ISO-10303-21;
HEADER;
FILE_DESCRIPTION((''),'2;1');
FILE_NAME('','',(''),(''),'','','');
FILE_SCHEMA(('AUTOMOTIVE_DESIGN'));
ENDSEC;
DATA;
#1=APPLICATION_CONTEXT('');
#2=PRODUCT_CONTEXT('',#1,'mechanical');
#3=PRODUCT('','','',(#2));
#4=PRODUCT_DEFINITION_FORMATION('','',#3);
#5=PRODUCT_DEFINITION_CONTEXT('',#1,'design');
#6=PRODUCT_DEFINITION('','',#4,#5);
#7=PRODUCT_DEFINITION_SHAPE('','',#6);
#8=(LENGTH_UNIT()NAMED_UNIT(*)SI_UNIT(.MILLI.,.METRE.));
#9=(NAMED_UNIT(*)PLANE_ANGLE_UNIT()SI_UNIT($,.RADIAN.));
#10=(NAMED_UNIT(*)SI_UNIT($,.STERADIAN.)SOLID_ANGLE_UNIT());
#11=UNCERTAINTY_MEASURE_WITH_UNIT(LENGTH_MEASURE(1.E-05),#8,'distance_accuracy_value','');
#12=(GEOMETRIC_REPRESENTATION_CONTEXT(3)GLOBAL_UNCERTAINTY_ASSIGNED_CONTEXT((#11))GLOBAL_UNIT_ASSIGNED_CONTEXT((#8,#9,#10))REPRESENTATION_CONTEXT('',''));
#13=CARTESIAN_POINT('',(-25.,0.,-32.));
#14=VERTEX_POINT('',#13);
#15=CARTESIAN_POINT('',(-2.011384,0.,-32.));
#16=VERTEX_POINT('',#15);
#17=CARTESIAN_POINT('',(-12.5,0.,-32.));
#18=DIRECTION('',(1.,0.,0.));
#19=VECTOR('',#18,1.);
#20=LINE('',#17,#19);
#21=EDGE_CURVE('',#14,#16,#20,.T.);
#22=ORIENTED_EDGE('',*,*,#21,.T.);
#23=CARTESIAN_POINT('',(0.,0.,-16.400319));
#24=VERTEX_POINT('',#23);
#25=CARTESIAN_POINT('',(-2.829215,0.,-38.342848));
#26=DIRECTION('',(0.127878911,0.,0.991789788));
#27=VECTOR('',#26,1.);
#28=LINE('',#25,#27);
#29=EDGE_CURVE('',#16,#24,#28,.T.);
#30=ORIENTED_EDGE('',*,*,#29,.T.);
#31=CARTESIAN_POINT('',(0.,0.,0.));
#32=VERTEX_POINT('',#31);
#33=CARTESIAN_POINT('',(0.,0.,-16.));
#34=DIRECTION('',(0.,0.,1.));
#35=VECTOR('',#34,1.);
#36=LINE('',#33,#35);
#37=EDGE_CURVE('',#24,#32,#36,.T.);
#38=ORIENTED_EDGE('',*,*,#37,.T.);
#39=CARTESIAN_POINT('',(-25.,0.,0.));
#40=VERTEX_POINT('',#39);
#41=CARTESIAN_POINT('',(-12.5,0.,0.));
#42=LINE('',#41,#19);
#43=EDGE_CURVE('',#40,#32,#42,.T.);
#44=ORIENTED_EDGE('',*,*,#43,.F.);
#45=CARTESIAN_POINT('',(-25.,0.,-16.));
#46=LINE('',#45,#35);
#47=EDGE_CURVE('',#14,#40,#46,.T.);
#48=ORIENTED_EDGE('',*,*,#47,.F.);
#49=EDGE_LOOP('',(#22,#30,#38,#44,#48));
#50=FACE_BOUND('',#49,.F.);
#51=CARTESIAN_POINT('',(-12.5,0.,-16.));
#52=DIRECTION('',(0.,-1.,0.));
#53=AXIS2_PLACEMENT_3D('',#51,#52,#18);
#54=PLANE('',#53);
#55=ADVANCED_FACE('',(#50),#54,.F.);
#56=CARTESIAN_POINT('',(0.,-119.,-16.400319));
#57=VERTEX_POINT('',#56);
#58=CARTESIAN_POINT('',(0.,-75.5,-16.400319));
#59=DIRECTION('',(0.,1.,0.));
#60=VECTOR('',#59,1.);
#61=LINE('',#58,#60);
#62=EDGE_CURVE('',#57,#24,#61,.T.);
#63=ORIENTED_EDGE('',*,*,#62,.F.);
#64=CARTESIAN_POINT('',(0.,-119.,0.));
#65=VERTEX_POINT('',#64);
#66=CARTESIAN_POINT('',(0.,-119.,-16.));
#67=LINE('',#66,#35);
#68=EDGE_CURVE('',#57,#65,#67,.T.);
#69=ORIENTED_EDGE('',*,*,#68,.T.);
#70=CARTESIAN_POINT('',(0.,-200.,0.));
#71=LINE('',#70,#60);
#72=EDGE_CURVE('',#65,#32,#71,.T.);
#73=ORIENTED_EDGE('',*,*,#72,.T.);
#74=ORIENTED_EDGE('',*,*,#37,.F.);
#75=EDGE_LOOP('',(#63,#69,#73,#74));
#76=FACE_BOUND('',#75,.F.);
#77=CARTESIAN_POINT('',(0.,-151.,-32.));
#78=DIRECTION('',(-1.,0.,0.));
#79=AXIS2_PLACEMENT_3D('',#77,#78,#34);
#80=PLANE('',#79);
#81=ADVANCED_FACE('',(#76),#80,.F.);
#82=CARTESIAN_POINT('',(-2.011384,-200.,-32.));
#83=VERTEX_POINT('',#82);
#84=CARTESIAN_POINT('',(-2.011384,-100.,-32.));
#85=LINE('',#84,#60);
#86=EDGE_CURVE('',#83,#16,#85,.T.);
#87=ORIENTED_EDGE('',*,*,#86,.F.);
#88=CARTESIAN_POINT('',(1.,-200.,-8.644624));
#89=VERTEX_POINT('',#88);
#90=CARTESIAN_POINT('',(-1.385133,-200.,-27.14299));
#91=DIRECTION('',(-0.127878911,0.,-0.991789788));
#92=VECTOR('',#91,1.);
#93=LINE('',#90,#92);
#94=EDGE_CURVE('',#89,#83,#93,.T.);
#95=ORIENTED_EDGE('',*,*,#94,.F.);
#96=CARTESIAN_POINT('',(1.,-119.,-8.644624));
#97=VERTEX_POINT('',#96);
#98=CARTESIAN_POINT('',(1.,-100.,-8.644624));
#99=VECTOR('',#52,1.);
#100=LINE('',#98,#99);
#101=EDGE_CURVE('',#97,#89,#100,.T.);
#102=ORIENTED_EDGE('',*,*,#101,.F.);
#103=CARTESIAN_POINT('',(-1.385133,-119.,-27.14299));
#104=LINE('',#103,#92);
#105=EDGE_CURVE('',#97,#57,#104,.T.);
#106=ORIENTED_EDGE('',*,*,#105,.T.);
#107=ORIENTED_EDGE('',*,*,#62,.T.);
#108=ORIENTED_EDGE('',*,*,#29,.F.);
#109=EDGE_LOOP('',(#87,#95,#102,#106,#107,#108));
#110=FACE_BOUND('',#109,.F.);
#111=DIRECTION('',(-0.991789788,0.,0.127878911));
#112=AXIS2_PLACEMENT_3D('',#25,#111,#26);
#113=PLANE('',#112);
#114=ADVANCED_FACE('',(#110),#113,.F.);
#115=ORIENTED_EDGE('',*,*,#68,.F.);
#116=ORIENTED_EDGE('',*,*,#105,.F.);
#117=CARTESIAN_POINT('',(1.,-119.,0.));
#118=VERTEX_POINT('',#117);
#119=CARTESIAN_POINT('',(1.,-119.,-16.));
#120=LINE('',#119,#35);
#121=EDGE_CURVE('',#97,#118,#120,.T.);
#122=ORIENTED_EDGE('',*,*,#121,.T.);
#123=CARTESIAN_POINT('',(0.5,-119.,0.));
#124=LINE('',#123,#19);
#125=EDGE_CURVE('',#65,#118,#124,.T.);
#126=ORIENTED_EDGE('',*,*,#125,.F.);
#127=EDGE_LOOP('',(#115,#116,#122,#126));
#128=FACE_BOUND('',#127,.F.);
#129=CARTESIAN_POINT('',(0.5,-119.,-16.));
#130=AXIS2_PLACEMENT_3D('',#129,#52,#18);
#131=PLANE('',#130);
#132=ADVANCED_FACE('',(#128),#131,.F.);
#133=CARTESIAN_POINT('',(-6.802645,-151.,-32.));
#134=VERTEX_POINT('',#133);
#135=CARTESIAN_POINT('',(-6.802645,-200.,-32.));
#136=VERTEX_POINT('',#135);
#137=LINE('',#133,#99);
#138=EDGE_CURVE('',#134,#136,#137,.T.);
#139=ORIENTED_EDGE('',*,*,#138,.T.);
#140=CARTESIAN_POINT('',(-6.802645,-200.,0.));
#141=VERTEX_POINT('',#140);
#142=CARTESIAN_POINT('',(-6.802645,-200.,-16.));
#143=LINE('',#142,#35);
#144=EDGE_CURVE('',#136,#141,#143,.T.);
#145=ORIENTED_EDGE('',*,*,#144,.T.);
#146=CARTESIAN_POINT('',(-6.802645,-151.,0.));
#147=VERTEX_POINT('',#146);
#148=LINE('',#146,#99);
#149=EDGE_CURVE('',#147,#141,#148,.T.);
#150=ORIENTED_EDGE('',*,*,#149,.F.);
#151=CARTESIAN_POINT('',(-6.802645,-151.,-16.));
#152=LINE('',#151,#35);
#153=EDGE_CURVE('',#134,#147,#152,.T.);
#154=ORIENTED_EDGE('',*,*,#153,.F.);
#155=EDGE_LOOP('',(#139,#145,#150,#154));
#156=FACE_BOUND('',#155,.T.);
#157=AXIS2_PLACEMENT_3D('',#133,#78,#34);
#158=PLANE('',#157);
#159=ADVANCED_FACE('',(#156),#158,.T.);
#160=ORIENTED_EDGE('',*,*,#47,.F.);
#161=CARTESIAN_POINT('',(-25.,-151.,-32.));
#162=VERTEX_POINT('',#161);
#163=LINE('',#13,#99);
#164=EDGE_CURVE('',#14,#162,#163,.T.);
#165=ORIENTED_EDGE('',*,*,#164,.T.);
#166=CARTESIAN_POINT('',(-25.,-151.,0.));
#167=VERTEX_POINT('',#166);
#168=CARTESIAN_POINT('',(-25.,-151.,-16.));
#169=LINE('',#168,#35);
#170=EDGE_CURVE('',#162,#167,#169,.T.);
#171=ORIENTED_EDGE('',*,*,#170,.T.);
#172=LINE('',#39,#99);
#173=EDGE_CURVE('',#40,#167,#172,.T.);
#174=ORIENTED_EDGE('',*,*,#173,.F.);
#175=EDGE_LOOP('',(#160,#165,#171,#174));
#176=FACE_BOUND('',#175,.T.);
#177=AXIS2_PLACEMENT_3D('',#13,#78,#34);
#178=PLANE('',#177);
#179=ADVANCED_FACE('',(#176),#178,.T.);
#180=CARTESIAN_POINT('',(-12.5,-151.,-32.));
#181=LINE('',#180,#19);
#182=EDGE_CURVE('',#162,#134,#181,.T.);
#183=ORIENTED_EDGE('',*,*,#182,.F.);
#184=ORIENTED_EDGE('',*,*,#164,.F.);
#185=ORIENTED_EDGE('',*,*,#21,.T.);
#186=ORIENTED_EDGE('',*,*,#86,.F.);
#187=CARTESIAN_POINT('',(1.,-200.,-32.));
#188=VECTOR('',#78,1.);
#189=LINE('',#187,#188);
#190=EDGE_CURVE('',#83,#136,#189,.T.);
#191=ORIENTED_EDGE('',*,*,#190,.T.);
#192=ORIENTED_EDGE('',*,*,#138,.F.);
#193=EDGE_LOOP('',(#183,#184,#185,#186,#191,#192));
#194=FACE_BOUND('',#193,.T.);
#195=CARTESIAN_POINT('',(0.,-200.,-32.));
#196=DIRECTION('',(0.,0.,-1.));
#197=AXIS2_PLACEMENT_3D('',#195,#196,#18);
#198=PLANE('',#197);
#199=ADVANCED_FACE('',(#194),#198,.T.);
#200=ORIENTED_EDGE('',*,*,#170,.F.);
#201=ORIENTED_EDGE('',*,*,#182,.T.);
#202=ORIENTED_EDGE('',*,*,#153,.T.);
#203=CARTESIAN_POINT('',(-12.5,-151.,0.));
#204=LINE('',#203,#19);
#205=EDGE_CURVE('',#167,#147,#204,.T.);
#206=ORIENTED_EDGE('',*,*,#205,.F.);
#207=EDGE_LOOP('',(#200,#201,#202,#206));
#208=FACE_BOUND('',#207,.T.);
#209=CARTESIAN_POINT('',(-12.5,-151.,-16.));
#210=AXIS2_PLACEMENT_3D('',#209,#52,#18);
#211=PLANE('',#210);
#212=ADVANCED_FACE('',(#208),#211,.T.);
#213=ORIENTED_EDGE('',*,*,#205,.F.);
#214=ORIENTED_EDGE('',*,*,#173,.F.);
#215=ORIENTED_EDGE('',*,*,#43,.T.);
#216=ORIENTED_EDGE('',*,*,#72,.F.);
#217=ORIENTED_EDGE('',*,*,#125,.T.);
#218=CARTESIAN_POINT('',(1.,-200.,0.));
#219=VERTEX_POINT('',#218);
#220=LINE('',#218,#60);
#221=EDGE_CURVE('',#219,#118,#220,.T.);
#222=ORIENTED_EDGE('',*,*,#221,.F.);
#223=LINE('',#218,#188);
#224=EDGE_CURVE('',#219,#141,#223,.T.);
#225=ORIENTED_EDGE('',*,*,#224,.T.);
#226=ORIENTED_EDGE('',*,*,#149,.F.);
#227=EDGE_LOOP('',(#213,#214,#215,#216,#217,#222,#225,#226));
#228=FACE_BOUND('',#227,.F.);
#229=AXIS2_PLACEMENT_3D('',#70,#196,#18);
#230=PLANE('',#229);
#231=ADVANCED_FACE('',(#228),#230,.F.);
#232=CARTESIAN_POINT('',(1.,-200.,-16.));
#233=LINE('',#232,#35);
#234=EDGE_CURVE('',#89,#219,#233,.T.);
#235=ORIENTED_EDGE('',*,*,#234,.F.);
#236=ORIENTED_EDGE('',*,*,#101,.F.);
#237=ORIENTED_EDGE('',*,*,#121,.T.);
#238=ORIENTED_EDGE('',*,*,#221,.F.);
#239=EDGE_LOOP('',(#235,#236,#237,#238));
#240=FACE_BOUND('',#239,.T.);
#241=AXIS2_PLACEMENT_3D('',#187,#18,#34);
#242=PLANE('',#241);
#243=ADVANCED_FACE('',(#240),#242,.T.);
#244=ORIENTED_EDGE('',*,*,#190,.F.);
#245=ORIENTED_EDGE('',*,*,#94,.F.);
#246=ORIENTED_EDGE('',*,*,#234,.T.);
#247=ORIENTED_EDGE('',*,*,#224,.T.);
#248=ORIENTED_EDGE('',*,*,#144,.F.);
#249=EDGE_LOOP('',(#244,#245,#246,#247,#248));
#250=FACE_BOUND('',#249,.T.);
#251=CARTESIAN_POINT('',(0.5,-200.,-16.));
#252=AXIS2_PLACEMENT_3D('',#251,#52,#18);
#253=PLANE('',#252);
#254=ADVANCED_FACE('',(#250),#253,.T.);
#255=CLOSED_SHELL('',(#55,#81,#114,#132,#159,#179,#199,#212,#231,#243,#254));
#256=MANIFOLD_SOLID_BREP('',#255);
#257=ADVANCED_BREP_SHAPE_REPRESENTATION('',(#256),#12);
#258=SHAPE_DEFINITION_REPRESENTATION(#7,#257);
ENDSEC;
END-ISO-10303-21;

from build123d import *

# Parameters (mm, degrees)
F0_W     = 25
F0_H     = 32
F1_DEPTH = 151
F2_W     = 6.8026450463
F2_H     = 32
F3_DEPTH = 49
F4_W     = 1
F4_H     = 32
F5_DEPTH = 81
F7_DEPTH = 248


with BuildPart() as f1:
    # F0 (on Front) → F1 (new body)
    with BuildSketch(Plane.XZ):
        with Locations((-12.5, -16)):
            Rectangle(F0_W, F0_H)
    extrude(amount=F1_DEPTH)

    # F2 (on face) → F3 (join)
    with BuildSketch(Plane.XZ.offset(151)):
        with Locations((-3.4013225231, -16)):
            Rectangle(F2_W, F2_H)
    extrude(amount=F3_DEPTH)

    # F4 (on face) → F5 (join)
    with BuildSketch(Plane.XZ.offset(200)):
        with Locations((0.5, -16)):
            Rectangle(F4_W, F4_H)
    extrude(amount=-F5_DEPTH)

    # F6 (on face) → F7 (cut)
    with BuildSketch(Plane(origin=(0, 0, 0), x_dir=(-1, 0, 0), z_dir=(0, 1, 0))):
        Polygon((2.8292152565, -38.3428484201), (-1.4198042918, -5.388750229), (-12.2544799853, -38.3428484201), align=None)
    extrude(amount=-F7_DEPTH, mode=Mode.SUBTRACT)


solid = f1.part
